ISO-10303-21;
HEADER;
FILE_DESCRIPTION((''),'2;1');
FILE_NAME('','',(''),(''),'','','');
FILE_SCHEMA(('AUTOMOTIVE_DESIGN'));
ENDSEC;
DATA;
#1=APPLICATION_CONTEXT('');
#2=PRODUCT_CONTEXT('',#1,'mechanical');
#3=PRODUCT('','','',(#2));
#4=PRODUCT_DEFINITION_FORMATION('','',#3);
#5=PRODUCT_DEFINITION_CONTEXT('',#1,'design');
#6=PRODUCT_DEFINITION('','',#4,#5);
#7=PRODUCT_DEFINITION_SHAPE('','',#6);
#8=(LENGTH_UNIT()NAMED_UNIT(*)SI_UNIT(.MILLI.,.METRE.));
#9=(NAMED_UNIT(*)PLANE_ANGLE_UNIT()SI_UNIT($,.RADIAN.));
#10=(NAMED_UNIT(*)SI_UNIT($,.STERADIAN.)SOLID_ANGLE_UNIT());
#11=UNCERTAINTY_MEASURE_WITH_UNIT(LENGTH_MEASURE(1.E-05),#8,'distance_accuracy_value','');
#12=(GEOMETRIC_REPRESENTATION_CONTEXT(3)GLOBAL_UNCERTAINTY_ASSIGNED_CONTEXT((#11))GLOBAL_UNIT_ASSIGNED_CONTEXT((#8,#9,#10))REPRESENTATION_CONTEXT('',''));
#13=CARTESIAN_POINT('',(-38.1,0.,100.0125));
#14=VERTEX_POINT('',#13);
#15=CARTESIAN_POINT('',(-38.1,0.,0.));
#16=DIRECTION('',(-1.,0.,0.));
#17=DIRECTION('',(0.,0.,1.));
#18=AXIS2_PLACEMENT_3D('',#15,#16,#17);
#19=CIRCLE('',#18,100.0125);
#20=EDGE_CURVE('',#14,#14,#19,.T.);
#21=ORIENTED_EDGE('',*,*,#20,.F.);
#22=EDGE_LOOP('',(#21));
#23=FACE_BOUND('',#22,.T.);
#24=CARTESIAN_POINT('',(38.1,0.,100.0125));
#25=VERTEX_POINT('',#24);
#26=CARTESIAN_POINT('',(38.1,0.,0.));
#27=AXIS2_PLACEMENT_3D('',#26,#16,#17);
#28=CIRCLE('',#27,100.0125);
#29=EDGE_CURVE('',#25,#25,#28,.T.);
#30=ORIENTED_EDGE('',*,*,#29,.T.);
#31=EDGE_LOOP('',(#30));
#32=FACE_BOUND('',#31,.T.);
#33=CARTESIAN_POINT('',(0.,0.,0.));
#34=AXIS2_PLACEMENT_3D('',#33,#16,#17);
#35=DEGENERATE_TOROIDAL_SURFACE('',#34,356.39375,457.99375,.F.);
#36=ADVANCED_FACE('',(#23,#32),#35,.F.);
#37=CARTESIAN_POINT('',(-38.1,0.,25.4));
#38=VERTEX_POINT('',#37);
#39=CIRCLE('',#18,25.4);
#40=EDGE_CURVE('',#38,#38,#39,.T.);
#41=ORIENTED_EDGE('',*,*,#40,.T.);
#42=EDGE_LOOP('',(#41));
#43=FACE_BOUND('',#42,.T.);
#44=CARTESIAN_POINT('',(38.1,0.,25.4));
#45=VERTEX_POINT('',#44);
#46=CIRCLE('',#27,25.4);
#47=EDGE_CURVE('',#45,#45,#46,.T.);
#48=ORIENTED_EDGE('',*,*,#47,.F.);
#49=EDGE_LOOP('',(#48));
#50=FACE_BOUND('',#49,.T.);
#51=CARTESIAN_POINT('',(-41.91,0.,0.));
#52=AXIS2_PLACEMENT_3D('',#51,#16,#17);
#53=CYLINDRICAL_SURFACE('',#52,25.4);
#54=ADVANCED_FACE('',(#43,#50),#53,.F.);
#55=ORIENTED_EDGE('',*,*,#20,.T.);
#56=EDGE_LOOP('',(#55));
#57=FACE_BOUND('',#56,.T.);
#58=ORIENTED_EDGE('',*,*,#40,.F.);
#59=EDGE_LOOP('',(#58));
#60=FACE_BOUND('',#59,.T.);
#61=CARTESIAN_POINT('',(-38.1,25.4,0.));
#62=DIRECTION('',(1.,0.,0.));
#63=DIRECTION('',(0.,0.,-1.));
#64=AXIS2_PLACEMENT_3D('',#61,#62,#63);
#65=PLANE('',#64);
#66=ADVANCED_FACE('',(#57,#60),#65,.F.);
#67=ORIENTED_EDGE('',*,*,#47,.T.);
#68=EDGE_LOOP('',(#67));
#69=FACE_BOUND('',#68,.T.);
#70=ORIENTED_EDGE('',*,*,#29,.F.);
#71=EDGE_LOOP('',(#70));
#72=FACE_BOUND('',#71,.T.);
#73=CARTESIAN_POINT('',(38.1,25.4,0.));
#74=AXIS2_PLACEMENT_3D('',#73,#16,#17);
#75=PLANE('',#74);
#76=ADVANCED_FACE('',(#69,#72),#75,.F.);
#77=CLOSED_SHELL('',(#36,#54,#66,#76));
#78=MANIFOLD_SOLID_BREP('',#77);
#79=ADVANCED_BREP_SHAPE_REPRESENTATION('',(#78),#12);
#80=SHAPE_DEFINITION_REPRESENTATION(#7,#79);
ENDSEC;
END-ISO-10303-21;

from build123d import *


with BuildPart() as part:
    # Sketch1 → Revolve1 (revolve)
    with BuildSketch(Plane.XY):
        with BuildLine():
            Line((-38.1, 25.4), (38.1, 25.4))
            Line((38.1, 25.4), (38.1, 100.0125))
            ThreePointArc((38.1, 100.0125), (0, 101.6), (-38.1, 100.0125))
            Line((-38.1, 100.0125), (-38.1, 25.4))
        make_face()
    revolve(axis=Axis((-41.91, 0, 0), (1, 0, 0)))


solid = part.part
